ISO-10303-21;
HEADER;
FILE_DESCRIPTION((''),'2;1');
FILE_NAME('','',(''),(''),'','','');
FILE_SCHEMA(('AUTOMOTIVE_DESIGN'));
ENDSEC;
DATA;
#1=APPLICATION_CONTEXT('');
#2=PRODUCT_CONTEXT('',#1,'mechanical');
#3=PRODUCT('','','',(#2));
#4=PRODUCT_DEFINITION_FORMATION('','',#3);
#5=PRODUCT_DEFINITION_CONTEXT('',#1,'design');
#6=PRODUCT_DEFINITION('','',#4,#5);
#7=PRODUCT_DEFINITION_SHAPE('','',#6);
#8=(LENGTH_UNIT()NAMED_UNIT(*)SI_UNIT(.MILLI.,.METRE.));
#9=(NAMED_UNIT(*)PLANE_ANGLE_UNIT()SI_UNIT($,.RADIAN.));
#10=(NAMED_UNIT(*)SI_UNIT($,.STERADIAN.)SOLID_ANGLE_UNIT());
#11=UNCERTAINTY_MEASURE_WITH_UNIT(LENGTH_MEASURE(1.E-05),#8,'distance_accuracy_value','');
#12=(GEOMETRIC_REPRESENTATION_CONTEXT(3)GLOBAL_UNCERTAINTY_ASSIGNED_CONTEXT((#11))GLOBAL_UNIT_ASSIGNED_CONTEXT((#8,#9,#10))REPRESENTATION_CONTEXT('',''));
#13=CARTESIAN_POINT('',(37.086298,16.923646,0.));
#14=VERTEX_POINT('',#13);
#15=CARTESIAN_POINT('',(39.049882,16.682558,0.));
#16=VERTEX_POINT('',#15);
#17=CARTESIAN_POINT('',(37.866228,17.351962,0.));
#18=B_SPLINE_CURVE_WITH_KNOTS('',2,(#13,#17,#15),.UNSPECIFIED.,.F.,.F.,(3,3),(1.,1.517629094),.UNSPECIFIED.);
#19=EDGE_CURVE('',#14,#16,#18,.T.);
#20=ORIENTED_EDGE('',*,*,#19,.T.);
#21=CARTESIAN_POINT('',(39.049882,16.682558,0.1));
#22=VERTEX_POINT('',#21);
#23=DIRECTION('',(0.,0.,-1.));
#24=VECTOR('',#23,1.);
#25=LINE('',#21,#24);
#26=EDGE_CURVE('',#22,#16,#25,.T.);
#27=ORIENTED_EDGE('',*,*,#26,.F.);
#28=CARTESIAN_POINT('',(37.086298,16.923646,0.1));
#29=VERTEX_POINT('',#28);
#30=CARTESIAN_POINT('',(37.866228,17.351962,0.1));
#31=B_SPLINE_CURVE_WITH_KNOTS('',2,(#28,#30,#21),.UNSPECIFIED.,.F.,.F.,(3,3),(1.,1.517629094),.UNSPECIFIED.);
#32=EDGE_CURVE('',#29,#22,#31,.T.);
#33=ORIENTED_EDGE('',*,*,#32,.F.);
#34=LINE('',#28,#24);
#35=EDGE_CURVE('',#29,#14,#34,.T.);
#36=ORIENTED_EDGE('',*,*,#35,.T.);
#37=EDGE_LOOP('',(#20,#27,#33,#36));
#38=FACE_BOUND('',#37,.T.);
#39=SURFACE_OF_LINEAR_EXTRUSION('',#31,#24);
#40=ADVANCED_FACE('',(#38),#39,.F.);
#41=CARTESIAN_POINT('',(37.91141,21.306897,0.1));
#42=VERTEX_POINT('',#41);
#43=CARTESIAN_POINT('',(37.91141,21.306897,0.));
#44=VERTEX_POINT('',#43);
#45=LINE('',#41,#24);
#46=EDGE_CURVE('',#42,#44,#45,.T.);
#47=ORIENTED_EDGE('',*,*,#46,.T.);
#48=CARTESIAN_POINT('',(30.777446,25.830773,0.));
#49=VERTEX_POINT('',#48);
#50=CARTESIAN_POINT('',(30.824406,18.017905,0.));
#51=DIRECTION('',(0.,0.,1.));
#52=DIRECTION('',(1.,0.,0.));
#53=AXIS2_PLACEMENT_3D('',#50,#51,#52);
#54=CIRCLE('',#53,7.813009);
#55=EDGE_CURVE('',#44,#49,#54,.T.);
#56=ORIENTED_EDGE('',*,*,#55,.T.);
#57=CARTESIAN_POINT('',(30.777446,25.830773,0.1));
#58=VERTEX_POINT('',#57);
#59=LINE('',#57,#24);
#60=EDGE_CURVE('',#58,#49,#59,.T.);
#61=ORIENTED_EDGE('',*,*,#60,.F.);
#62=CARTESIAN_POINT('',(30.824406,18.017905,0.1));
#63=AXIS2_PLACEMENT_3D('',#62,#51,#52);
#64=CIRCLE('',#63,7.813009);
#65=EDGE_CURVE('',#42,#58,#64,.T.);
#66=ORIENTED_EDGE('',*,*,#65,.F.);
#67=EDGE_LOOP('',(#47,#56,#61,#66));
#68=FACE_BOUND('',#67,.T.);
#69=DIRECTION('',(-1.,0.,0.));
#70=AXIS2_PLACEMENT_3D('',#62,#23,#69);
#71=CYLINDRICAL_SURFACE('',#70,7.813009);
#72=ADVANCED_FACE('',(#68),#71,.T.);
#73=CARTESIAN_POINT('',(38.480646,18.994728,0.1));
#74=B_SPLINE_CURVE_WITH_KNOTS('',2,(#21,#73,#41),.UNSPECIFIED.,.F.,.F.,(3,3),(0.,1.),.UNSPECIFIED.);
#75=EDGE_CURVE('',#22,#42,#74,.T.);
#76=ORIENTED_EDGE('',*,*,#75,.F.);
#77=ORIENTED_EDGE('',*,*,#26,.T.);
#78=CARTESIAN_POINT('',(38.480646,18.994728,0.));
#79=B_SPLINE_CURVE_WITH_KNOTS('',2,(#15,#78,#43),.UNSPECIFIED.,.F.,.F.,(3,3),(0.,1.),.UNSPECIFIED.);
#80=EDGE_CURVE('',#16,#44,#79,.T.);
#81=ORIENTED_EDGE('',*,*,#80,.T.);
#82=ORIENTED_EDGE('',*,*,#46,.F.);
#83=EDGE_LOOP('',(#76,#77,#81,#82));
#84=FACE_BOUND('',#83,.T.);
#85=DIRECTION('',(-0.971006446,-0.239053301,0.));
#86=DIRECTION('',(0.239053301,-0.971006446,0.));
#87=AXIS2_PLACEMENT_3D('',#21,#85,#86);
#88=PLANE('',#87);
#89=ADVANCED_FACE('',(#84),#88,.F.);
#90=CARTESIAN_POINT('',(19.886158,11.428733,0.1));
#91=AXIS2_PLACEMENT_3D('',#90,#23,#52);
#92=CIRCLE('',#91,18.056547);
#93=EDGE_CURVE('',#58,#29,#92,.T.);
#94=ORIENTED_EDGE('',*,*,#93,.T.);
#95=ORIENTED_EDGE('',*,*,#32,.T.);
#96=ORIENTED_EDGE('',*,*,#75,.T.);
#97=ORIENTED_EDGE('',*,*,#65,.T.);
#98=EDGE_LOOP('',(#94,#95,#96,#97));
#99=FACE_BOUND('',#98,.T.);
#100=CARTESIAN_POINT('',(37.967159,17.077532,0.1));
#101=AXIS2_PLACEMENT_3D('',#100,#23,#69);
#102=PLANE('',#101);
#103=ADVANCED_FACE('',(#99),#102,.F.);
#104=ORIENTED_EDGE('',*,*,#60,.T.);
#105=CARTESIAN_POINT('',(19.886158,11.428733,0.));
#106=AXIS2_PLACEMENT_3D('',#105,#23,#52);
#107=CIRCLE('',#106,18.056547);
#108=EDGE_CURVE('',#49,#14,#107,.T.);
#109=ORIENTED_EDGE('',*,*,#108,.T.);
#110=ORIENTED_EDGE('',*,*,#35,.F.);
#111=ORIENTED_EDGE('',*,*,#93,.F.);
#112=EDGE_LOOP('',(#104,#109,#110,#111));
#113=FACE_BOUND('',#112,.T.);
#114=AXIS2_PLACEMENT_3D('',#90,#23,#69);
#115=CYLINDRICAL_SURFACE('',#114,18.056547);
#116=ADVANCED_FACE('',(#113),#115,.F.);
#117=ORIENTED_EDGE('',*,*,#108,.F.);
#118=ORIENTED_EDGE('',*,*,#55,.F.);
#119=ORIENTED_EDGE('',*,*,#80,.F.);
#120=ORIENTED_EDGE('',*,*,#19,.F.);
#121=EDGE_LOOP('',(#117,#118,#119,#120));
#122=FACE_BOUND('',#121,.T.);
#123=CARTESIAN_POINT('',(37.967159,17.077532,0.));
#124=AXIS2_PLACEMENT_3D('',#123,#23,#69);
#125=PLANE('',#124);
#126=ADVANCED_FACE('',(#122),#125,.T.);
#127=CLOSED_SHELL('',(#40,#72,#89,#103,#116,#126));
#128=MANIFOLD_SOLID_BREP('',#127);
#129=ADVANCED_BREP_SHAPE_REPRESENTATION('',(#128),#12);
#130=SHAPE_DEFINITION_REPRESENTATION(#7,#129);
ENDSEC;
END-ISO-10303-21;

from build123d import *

# Parameters (mm, degrees)
SALIENTE_EXTRUIR1_DEPTH = 0.1


with BuildPart() as part:
    # Model → Saliente-Extruir1 (new body)
    with BuildSketch(Plane.XY):
        with BuildLine():
            ThreePointArc((37.911410496, 21.306897051), (35.008532901, 24.616100687), (30.77744569, 25.83077268))
            ThreePointArc((30.77744569, 25.83077268), (34.621025182, 21.865331343), (37.086298445, 16.923645795))
            add(Edge.make_bspline(
                [(39.04988231, 16.682558191), (37.86622829, 17.351962219), (37.086298445, 16.923645795)],
                knots=[1, 1, 1, 1.517629094, 1.517629094, 1.517629094], degree=2))
            add(Edge.make_bspline(
                [(37.911410496, 21.306897051), (38.480646403, 18.994727621), (39.04988231, 16.682558191)],
                knots=[0, 0, 0, 1, 1, 1], degree=2))
        make_face()
    extrude(amount=SALIENTE_EXTRUIR1_DEPTH)


solid = part.part
